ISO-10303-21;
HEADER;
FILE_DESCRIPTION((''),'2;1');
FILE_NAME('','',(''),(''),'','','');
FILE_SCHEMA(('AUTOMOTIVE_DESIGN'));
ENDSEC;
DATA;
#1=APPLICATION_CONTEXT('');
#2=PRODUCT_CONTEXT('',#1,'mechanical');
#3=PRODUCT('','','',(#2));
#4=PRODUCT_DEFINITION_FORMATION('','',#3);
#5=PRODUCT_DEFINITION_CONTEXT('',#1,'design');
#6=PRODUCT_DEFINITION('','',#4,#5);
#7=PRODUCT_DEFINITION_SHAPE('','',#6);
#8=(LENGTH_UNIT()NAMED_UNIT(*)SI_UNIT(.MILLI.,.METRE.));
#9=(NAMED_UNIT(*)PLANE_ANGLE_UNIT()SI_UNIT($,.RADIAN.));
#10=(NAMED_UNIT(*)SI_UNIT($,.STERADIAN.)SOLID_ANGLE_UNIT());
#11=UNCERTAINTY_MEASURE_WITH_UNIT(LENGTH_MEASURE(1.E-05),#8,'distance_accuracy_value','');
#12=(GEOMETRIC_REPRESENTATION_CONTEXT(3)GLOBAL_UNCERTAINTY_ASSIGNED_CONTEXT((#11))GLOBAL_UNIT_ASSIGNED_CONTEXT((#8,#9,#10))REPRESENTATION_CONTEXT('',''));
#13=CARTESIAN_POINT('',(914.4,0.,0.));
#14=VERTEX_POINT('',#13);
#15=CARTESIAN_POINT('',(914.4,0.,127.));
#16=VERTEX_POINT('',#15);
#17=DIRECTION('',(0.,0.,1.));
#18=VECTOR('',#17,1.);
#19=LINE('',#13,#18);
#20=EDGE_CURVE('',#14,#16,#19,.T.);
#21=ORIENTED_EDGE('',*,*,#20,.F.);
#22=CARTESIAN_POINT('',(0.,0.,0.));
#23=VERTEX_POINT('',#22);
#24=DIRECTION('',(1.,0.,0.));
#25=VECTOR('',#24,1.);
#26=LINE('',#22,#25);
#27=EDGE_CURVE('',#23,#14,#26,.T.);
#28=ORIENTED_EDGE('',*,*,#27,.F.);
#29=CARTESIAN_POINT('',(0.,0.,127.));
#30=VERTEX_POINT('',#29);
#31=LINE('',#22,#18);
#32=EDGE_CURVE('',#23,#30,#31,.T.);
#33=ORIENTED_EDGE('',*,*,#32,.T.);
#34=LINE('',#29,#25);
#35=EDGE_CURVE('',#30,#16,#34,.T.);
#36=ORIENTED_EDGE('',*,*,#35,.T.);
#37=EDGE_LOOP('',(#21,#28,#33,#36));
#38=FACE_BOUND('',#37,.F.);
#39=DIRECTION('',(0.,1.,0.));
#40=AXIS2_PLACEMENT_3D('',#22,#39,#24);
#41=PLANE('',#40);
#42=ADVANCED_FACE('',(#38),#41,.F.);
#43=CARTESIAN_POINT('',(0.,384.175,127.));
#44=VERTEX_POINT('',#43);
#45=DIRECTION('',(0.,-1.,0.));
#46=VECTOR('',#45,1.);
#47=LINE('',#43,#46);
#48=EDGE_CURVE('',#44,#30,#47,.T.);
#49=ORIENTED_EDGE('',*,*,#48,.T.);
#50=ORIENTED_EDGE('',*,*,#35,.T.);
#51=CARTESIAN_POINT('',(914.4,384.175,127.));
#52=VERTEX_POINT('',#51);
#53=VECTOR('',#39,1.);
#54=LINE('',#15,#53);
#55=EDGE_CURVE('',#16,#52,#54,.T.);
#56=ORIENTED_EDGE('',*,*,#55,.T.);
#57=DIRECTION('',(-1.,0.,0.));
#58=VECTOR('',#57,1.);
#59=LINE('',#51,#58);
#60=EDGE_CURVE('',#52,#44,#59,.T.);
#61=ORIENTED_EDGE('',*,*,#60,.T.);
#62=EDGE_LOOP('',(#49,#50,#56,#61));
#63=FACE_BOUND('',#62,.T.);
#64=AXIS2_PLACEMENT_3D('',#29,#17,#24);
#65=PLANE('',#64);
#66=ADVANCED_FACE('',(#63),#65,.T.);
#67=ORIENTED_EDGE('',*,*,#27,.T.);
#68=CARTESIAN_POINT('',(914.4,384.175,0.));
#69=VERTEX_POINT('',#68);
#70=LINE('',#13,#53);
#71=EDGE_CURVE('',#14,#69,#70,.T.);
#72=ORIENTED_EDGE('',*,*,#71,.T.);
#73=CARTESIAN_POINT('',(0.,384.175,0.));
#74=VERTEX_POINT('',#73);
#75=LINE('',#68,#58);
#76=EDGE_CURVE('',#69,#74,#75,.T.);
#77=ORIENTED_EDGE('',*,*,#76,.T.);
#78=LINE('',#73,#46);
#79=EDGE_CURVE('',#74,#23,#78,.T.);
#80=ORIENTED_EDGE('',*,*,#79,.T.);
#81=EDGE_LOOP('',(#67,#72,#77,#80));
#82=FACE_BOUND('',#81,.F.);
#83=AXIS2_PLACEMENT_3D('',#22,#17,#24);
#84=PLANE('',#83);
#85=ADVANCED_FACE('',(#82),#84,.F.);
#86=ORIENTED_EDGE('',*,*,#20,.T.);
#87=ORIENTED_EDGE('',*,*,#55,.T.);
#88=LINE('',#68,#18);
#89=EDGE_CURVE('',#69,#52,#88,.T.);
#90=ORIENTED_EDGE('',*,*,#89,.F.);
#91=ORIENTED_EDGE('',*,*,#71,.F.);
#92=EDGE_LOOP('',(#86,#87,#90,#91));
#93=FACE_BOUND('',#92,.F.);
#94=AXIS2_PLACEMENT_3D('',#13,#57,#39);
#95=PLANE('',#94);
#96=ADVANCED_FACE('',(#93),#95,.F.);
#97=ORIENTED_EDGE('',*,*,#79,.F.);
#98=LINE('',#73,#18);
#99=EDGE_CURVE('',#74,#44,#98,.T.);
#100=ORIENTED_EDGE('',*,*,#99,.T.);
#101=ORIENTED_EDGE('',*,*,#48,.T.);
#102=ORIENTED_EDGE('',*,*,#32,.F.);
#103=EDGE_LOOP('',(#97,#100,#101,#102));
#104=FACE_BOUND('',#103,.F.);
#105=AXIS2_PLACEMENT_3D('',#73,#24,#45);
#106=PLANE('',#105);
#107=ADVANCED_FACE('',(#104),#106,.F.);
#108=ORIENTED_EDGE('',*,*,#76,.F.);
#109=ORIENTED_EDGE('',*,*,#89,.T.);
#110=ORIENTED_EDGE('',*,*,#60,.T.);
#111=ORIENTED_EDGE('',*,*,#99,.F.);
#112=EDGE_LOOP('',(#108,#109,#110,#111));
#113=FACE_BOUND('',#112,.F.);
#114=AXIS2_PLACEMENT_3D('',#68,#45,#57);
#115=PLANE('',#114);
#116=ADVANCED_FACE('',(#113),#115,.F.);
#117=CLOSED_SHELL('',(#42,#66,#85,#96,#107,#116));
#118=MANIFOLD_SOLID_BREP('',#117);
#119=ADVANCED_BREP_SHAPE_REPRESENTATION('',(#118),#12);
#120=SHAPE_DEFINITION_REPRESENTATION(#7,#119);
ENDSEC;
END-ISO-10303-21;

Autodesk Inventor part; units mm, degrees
ref_plane "YZ Plane" through (0, 0, 0) normal (1, 0, 0) x (0, 1, 0)
ref_plane "XZ Plane" through (0, 0, 0) normal (0, 1, 0) x (-1, 0, 0)
ref_plane "XY Plane" through (0, 0, 0) normal (0, 0, 1) x (1, 0, 0)
sketch "Sketch1" plane through (0, 0, 0) normal (0, 0, 1) x (1, 0, 0)
  line L0 (0, 0) -> (914.4, 0)
  line L1 (914.4, 0) -> (914.4, 384.175)
  line L2 (914.4, 384.175) -> (0, 384.175)
  line L3 (0, 384.175) -> (0, 0)
  dimension "d0" = 914.4
  dimension "d1" = 384.175
extrude "Extrusion1" add sketch "Sketch1" along normal blind 127
properties part number "Filler" material "Granite, Cut, Polished"
